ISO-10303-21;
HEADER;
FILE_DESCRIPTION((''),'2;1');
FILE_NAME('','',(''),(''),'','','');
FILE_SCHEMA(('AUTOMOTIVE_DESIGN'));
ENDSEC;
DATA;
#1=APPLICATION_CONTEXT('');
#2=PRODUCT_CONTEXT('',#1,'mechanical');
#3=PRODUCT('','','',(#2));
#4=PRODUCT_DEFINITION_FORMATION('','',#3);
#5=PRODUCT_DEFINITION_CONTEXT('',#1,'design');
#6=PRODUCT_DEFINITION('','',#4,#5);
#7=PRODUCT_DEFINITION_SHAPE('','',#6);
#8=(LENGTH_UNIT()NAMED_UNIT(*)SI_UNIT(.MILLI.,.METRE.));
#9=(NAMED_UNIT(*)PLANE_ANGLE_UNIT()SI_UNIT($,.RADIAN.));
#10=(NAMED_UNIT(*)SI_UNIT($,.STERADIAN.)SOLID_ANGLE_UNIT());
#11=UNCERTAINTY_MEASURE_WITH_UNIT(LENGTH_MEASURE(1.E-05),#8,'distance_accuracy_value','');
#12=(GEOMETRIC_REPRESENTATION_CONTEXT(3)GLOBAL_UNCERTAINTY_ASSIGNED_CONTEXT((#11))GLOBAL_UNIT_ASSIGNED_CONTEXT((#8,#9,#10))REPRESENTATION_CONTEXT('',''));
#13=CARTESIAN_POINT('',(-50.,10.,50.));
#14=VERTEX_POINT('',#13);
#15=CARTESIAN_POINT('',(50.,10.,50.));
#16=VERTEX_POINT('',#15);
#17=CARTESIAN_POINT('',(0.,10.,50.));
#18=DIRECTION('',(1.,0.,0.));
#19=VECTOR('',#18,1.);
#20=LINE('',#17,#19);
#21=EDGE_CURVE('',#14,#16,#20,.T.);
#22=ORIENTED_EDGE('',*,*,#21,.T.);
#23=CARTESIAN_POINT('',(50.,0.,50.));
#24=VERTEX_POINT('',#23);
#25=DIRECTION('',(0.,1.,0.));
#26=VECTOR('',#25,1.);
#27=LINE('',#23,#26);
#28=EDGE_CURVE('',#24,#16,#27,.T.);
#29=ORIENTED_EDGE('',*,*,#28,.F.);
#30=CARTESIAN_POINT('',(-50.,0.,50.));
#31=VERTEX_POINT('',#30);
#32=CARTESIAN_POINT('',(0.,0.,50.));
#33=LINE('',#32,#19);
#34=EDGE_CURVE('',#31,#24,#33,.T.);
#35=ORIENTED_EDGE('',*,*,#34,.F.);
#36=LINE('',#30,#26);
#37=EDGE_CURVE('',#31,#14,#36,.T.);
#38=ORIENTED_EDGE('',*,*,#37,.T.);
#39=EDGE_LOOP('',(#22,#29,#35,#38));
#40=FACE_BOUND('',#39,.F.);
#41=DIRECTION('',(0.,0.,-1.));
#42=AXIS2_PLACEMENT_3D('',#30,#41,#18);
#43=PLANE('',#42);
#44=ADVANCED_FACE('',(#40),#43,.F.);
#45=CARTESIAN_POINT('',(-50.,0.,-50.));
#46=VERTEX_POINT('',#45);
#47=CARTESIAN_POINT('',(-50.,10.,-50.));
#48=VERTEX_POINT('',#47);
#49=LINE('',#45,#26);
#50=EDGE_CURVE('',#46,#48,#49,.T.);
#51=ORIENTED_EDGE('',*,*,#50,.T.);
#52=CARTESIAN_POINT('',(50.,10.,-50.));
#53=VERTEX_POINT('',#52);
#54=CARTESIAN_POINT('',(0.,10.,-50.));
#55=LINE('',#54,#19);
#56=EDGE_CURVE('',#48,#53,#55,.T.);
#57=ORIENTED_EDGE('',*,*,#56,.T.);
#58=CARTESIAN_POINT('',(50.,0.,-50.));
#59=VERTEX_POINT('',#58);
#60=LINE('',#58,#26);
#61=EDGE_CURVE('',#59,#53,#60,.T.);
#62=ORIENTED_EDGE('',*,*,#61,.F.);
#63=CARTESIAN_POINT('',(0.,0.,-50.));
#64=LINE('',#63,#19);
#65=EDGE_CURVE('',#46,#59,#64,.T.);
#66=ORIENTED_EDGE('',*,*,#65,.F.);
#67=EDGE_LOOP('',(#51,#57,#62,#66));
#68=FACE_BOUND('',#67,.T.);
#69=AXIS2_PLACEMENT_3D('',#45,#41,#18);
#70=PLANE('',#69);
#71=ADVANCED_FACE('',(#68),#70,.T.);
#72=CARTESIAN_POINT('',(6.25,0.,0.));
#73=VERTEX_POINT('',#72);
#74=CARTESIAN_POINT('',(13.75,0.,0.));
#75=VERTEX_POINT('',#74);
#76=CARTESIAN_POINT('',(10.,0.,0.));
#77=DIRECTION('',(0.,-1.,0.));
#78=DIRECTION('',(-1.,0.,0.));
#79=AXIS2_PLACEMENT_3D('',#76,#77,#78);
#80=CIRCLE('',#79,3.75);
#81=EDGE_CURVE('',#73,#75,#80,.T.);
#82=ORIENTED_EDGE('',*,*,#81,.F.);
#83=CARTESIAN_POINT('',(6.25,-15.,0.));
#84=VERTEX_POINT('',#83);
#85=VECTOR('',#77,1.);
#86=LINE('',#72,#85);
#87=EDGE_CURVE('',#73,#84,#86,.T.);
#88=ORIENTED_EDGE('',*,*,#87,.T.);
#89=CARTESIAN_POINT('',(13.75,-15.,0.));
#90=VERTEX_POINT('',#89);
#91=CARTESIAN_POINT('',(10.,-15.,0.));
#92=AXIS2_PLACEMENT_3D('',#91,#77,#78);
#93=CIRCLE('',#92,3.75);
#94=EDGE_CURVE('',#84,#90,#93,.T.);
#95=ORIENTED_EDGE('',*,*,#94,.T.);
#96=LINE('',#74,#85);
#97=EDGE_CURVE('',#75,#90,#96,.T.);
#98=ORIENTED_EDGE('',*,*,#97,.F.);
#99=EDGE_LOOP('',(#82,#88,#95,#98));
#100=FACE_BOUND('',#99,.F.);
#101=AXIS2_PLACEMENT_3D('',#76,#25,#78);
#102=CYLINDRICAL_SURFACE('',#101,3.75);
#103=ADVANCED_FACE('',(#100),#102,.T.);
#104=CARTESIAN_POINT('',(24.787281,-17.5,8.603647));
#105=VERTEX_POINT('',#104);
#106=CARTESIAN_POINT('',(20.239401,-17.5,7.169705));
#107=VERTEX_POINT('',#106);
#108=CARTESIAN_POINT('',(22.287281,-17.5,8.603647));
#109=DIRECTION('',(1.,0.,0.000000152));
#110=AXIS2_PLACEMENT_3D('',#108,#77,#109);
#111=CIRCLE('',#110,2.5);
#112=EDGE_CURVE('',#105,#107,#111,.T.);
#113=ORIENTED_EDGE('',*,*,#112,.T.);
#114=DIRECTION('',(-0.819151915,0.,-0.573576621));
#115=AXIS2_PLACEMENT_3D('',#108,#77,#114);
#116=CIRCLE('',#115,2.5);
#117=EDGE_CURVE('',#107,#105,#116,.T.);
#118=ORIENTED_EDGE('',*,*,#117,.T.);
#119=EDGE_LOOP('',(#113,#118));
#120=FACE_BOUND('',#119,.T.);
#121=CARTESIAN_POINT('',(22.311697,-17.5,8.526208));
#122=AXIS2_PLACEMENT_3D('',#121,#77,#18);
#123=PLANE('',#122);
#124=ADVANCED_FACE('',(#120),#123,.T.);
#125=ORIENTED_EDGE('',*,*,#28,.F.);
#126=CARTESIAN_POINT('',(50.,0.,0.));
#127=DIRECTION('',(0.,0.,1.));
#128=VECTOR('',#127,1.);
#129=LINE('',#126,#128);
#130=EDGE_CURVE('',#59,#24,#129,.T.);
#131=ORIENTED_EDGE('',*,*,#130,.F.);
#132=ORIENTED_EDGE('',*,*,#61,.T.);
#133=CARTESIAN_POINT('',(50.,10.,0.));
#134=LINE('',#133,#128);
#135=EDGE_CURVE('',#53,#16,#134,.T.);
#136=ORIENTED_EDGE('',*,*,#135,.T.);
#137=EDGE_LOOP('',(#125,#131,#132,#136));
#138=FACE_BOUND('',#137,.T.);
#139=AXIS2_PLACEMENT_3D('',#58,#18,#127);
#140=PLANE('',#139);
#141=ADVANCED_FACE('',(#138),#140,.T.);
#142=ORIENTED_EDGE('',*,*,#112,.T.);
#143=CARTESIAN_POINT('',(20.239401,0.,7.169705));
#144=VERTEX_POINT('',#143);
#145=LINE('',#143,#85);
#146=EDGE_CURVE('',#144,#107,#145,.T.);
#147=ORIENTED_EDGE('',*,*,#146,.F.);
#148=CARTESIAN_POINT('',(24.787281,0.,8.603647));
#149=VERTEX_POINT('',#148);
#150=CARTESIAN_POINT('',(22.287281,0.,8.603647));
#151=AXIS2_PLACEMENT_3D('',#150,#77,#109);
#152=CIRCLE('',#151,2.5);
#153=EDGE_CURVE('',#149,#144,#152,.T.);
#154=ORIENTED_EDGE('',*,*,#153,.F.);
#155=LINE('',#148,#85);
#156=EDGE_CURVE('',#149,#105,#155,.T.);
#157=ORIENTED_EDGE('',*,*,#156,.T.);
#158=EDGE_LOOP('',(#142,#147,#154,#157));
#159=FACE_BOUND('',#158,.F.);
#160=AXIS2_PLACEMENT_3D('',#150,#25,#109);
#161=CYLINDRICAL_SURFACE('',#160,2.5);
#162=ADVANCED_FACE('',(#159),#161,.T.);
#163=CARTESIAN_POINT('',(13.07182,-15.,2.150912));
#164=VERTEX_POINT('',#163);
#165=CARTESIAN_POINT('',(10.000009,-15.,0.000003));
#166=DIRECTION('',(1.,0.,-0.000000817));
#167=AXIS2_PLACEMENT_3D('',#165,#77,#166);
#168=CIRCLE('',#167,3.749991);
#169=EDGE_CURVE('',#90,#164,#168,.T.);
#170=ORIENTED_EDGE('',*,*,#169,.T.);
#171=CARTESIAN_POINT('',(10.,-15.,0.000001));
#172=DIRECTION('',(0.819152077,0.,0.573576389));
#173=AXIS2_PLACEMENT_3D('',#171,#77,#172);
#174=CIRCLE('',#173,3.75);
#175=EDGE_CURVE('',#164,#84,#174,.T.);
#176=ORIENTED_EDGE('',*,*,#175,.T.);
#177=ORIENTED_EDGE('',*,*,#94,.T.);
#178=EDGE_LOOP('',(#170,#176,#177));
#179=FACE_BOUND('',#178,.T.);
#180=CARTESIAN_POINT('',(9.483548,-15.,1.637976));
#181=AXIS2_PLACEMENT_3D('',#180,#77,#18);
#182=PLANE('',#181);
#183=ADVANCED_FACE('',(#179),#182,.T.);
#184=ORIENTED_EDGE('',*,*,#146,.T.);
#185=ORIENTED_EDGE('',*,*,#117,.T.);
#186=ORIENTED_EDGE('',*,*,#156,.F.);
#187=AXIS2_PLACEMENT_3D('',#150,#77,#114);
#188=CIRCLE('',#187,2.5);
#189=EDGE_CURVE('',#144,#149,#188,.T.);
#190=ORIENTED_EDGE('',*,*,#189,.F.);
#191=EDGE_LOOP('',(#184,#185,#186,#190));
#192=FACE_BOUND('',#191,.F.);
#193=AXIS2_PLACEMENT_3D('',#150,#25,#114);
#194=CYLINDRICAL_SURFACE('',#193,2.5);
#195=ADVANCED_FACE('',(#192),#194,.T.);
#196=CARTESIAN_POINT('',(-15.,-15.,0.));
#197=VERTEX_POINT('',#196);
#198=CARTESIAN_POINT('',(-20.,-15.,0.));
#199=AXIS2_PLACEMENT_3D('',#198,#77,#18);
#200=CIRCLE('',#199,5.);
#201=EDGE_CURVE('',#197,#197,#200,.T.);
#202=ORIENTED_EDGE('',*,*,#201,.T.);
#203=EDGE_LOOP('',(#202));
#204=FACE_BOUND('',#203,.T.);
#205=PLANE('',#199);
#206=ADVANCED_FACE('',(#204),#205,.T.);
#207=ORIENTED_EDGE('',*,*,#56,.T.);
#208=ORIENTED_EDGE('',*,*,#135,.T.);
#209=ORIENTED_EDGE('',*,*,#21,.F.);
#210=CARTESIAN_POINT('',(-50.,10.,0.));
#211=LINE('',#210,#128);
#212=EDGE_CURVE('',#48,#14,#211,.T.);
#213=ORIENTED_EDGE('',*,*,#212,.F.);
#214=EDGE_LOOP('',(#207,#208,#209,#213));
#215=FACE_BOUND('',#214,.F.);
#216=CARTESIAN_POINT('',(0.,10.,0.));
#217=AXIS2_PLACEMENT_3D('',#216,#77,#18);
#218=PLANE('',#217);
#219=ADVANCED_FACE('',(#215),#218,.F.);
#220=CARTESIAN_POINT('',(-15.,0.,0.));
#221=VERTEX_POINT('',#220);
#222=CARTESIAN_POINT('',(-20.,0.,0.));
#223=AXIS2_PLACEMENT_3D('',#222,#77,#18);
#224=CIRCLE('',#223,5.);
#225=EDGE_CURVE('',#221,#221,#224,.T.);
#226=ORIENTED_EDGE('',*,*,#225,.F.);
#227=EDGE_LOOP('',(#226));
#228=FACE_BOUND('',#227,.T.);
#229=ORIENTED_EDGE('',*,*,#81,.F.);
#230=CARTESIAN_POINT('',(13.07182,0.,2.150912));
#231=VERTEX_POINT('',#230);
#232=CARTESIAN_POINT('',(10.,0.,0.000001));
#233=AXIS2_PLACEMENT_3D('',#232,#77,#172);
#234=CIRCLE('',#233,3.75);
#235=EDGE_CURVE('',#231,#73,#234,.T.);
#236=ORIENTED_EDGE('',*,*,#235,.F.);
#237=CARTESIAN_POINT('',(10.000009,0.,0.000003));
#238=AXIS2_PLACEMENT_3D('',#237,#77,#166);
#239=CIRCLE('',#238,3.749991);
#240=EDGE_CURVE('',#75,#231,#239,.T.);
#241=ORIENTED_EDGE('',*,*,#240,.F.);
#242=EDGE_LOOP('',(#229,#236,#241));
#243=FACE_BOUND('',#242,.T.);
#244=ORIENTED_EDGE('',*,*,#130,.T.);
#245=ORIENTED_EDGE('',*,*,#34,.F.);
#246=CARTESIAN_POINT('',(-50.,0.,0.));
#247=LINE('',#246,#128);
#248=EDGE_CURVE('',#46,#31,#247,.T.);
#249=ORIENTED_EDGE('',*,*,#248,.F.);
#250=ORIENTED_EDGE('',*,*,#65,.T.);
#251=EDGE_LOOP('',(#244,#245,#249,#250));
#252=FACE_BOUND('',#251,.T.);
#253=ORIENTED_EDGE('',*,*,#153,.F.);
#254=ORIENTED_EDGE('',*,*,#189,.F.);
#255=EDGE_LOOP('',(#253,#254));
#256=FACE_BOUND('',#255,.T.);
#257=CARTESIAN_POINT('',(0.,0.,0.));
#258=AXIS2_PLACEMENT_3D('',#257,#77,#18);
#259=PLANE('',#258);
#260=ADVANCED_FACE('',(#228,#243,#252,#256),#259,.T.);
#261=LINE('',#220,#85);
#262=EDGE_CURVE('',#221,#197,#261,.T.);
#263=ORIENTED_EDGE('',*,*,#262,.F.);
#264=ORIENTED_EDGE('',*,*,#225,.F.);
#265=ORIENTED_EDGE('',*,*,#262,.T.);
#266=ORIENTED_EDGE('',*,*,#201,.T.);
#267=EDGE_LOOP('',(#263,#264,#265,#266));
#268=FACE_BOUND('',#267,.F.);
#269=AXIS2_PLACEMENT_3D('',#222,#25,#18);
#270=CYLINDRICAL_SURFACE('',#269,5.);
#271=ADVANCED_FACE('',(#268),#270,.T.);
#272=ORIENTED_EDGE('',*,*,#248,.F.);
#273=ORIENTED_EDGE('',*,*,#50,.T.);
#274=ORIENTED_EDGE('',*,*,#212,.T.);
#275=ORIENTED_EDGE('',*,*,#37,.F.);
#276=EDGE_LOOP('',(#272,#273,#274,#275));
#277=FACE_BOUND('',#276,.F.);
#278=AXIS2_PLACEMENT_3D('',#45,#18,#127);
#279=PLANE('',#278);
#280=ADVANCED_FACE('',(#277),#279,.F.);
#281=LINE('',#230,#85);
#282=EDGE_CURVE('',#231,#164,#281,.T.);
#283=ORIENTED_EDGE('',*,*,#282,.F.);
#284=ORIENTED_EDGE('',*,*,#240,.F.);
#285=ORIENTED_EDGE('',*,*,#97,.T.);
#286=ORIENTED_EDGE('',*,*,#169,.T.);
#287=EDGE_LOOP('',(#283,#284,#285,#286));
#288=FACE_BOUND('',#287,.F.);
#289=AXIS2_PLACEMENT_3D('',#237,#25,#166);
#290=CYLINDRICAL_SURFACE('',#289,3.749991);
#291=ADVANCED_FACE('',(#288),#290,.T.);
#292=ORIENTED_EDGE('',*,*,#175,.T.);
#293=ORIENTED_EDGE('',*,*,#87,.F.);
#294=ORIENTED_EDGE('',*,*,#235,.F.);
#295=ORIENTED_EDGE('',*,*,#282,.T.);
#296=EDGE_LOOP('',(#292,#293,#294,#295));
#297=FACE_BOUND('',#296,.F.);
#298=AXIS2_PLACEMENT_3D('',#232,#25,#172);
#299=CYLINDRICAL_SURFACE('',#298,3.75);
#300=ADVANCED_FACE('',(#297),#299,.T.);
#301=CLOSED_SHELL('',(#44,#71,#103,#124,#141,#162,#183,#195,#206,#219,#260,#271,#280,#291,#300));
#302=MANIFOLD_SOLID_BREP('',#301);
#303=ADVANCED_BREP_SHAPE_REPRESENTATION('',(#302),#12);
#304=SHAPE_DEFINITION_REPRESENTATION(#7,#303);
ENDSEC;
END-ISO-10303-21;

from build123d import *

# Parameters (mm, degrees)
F0_W     = 100
F0_H     = 100
F1_DEPTH = 10
F2_R     = 5
F3_DEPTH = 15
F4_DEPTH = 17.5


with BuildPart() as f1:
    # F0 (on Front) → F1 (new body)
    with BuildSketch(Plane.XZ):
        Rectangle(F0_W, F0_H)
    extrude(amount=-F1_DEPTH)

    # F2 (on face) → F3 (join)
    with BuildSketch(Plane.XZ):
        with Locations((-20, 0)):
            Circle(F2_R)
        with BuildLine():
            ThreePointArc((13.07182, 2.150912), (8.872353, 3.576439), (6.25, 0))
            Line((6.25, 0), (10, 0))
            Line((10, 0), (13.07182, 2.150912))
        make_face()
        with BuildLine():
            Line((10, 0), (6.25, 0))
            ThreePointArc((6.25, 0), (10, -3.75), (13.75, 0))
            ThreePointArc((13.75, 0), (13.576439, 1.127647), (13.07182, 2.150912))
            Line((13.07182, 2.150912), (10, 0))
        make_face()
    extrude(amount=F3_DEPTH)

    # F2 (on face) → F4 (join)
    with BuildSketch(Plane.XZ):
        with BuildLine():
            ThreePointArc((24.787281, 8.603647), (21.535516, 10.987939), (20.239401, 7.169705))
            ThreePointArc((20.239401, 7.169705), (23.039045, 6.219354), (24.787281, 8.603647))
        make_face()
    extrude(amount=F4_DEPTH)


solid = f1.part
